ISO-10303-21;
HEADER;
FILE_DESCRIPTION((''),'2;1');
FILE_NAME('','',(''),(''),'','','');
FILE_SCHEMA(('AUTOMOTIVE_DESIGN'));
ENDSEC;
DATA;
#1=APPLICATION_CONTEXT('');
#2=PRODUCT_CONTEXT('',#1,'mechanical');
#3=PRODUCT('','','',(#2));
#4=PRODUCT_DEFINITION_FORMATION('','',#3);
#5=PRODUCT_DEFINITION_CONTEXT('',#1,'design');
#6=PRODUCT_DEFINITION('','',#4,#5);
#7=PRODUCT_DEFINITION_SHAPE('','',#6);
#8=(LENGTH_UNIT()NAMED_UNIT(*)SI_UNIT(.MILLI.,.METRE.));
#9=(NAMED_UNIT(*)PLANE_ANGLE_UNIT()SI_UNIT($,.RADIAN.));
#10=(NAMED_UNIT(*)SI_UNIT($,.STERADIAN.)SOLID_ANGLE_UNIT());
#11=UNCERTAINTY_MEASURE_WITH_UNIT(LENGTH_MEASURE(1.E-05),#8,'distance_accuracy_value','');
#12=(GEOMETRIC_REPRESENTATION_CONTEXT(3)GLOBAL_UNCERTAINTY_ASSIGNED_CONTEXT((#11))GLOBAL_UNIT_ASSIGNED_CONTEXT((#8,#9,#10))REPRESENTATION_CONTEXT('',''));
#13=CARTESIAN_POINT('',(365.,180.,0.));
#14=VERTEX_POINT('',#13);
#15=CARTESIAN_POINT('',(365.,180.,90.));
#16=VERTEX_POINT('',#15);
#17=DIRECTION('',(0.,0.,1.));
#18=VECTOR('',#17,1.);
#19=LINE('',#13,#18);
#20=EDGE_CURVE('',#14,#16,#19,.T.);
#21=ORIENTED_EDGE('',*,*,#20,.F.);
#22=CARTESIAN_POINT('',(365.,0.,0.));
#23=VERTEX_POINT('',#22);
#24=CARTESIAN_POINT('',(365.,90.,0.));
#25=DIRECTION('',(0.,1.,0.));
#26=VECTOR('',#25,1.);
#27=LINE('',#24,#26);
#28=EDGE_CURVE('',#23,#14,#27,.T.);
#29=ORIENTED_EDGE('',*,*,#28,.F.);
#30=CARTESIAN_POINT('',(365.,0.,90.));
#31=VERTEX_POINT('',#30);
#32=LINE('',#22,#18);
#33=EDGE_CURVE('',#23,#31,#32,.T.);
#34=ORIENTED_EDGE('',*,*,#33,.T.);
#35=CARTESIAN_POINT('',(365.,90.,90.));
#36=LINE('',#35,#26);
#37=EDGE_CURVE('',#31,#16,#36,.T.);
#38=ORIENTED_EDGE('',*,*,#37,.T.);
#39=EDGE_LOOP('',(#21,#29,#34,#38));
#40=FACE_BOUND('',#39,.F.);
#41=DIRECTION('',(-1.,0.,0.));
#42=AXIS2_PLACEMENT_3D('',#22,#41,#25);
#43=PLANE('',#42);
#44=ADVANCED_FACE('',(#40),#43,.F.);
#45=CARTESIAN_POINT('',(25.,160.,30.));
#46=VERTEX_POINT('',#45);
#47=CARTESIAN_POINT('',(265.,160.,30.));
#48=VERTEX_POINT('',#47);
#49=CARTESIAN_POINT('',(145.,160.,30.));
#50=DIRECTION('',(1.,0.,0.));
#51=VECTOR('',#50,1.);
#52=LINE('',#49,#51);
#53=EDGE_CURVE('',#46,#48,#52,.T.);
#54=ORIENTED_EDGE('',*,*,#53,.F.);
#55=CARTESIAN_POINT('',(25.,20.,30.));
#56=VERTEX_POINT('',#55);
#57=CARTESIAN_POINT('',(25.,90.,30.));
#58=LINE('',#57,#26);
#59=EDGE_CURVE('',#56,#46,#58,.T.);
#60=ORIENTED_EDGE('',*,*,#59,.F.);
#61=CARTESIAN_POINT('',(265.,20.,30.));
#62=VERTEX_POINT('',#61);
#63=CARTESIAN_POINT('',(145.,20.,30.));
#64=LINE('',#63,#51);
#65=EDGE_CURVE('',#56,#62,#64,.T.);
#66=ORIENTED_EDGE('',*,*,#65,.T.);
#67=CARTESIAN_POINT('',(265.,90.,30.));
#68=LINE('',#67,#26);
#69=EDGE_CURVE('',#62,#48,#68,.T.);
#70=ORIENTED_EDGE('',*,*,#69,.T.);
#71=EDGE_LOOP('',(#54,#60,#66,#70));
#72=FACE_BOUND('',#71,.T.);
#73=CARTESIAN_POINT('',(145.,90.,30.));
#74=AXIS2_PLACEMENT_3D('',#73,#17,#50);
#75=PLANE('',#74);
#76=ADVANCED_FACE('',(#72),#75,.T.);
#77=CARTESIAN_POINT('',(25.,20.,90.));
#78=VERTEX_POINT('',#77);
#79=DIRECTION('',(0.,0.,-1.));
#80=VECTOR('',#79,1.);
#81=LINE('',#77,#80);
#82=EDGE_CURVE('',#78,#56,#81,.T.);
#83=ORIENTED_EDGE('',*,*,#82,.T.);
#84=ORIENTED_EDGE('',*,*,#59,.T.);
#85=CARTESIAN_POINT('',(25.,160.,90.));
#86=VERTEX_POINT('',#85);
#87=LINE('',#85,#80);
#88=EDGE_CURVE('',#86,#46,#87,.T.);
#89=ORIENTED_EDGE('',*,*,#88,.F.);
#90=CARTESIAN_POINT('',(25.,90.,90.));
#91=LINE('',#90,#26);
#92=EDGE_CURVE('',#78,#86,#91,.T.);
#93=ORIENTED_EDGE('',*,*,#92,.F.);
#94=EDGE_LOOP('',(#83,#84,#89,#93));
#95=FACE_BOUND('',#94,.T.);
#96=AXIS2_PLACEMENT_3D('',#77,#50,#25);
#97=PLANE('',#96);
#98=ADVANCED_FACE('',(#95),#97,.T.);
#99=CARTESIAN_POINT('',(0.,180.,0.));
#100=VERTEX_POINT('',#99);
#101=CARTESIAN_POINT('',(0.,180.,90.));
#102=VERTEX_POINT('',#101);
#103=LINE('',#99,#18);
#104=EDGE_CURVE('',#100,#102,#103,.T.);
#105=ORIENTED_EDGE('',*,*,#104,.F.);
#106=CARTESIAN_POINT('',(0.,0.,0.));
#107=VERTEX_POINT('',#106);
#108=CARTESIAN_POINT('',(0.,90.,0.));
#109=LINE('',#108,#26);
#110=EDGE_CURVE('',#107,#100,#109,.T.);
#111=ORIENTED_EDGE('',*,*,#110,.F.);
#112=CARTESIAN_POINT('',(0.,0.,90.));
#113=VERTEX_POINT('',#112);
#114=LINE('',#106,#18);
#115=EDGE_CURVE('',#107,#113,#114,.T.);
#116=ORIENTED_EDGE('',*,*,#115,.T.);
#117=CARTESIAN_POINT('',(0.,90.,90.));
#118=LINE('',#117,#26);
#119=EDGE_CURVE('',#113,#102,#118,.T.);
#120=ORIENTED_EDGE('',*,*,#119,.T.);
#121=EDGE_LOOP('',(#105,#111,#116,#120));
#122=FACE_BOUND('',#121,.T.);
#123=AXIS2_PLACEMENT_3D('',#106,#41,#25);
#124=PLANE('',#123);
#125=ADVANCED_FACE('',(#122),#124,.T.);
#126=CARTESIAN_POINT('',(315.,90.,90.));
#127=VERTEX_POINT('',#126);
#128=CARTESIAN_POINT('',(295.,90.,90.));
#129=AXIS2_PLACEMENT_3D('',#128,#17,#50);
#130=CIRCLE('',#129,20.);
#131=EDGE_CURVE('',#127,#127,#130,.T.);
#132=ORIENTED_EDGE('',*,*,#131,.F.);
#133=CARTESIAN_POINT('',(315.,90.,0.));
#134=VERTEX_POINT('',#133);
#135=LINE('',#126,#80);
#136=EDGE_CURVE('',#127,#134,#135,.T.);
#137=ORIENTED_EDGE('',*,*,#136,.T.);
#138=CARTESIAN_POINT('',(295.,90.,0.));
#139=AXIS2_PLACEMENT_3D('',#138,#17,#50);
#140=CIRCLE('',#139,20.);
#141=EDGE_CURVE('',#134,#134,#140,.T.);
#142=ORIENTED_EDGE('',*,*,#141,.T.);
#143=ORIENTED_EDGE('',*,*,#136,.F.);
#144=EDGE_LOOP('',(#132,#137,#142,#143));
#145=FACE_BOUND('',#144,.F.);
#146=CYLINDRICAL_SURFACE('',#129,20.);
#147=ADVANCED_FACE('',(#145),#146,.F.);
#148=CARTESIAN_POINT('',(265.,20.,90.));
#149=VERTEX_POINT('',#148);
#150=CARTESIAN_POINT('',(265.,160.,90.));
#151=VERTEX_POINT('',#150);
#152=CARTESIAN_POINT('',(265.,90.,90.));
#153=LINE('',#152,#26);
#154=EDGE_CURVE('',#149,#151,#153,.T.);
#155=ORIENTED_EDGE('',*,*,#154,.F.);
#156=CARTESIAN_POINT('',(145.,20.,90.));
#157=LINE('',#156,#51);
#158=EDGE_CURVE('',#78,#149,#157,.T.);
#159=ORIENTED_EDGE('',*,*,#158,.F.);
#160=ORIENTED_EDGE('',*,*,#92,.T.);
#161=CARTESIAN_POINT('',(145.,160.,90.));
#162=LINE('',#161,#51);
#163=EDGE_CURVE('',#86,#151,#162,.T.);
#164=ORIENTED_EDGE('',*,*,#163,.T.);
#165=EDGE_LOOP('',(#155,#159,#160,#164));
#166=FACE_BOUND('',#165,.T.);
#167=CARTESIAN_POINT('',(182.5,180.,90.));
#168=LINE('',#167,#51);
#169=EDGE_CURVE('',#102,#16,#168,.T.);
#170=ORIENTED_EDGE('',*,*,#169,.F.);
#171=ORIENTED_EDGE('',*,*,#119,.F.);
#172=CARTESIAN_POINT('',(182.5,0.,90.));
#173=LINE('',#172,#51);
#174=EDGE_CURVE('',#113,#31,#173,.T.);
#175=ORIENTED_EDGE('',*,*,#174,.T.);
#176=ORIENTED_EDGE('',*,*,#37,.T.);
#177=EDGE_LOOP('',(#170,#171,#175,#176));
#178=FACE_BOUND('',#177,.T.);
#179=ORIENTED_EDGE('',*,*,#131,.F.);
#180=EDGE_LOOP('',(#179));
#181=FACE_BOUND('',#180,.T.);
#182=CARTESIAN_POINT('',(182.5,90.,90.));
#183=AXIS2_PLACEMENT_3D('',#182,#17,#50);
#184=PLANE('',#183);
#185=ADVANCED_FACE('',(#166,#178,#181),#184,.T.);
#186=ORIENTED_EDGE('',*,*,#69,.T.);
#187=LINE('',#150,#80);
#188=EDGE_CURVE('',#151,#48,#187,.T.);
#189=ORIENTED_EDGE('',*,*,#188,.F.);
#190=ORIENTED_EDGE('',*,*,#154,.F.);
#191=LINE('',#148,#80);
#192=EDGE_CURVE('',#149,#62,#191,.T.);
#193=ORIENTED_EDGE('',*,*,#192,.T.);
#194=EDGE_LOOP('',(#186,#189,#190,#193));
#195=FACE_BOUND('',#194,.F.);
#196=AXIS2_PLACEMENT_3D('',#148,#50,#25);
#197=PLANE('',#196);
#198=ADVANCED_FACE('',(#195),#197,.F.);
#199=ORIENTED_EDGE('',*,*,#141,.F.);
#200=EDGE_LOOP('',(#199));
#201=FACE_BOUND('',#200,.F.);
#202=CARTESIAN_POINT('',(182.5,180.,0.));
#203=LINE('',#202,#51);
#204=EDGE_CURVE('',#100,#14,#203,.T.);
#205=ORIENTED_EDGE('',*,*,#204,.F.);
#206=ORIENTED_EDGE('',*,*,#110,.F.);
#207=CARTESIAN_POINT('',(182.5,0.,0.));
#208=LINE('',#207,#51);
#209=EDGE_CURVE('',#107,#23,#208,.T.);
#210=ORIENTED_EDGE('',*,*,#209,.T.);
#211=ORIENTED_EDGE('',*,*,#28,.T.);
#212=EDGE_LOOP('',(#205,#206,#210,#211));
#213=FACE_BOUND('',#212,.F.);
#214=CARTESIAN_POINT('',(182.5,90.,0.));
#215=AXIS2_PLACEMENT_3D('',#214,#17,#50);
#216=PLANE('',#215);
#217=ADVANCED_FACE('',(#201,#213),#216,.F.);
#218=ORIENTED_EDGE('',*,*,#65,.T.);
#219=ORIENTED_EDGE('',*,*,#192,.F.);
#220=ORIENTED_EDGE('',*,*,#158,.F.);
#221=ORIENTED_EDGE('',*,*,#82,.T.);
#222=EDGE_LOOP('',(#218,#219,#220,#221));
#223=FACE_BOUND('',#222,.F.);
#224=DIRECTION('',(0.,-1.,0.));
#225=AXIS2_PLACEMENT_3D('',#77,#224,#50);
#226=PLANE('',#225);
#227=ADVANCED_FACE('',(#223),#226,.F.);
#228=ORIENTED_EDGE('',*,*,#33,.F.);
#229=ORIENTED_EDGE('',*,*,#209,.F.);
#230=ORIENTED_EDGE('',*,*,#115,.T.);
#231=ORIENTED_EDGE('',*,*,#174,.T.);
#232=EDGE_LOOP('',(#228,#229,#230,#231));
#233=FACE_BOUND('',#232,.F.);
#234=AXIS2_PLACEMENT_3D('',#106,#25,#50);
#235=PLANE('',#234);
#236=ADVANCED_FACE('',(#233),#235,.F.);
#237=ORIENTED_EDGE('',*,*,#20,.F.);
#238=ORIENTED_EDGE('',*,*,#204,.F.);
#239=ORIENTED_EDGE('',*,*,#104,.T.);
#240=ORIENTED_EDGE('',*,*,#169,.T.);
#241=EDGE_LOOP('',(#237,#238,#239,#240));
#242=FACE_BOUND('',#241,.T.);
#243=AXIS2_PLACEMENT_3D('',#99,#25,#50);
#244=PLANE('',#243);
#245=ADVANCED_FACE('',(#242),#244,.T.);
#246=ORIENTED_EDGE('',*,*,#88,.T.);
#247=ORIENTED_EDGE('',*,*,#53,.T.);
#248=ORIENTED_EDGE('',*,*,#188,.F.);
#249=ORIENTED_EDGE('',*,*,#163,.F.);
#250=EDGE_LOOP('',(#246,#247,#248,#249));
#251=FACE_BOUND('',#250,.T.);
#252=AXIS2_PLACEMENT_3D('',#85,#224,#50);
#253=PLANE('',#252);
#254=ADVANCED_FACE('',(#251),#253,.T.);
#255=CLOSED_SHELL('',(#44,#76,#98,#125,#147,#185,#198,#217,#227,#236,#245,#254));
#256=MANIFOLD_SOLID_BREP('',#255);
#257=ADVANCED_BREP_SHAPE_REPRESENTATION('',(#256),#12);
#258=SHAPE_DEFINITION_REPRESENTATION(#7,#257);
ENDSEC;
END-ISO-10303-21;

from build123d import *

# Parameters (mm, degrees)
F0_W     = 365
F0_H     = 180
F1_DEPTH = 90
F2_W     = 240
F2_H     = 140
F3_DEPTH = 60
F4_R     = 20
F5_DEPTH = 90.001


with BuildPart() as f1:
    # F0 (on Top) → F1 (new body)
    with BuildSketch(Plane.XY):
        with Locations((182.5, 90)):
            Rectangle(F0_W, F0_H)
    extrude(amount=F1_DEPTH)

    # F2 (on face) → F3 (cut)
    with BuildSketch(Plane.XY.offset(90)):
        with Locations((145, 90)):
            Rectangle(F2_W, F2_H)
    extrude(amount=-F3_DEPTH, mode=Mode.SUBTRACT)

    # F4 (on face) → F5 (cut, through all)
    with BuildSketch(Plane.XY.offset(90)):
        with Locations((295, 90)):
            Circle(F4_R)
    extrude(amount=-F5_DEPTH, mode=Mode.SUBTRACT)


solid = f1.part
